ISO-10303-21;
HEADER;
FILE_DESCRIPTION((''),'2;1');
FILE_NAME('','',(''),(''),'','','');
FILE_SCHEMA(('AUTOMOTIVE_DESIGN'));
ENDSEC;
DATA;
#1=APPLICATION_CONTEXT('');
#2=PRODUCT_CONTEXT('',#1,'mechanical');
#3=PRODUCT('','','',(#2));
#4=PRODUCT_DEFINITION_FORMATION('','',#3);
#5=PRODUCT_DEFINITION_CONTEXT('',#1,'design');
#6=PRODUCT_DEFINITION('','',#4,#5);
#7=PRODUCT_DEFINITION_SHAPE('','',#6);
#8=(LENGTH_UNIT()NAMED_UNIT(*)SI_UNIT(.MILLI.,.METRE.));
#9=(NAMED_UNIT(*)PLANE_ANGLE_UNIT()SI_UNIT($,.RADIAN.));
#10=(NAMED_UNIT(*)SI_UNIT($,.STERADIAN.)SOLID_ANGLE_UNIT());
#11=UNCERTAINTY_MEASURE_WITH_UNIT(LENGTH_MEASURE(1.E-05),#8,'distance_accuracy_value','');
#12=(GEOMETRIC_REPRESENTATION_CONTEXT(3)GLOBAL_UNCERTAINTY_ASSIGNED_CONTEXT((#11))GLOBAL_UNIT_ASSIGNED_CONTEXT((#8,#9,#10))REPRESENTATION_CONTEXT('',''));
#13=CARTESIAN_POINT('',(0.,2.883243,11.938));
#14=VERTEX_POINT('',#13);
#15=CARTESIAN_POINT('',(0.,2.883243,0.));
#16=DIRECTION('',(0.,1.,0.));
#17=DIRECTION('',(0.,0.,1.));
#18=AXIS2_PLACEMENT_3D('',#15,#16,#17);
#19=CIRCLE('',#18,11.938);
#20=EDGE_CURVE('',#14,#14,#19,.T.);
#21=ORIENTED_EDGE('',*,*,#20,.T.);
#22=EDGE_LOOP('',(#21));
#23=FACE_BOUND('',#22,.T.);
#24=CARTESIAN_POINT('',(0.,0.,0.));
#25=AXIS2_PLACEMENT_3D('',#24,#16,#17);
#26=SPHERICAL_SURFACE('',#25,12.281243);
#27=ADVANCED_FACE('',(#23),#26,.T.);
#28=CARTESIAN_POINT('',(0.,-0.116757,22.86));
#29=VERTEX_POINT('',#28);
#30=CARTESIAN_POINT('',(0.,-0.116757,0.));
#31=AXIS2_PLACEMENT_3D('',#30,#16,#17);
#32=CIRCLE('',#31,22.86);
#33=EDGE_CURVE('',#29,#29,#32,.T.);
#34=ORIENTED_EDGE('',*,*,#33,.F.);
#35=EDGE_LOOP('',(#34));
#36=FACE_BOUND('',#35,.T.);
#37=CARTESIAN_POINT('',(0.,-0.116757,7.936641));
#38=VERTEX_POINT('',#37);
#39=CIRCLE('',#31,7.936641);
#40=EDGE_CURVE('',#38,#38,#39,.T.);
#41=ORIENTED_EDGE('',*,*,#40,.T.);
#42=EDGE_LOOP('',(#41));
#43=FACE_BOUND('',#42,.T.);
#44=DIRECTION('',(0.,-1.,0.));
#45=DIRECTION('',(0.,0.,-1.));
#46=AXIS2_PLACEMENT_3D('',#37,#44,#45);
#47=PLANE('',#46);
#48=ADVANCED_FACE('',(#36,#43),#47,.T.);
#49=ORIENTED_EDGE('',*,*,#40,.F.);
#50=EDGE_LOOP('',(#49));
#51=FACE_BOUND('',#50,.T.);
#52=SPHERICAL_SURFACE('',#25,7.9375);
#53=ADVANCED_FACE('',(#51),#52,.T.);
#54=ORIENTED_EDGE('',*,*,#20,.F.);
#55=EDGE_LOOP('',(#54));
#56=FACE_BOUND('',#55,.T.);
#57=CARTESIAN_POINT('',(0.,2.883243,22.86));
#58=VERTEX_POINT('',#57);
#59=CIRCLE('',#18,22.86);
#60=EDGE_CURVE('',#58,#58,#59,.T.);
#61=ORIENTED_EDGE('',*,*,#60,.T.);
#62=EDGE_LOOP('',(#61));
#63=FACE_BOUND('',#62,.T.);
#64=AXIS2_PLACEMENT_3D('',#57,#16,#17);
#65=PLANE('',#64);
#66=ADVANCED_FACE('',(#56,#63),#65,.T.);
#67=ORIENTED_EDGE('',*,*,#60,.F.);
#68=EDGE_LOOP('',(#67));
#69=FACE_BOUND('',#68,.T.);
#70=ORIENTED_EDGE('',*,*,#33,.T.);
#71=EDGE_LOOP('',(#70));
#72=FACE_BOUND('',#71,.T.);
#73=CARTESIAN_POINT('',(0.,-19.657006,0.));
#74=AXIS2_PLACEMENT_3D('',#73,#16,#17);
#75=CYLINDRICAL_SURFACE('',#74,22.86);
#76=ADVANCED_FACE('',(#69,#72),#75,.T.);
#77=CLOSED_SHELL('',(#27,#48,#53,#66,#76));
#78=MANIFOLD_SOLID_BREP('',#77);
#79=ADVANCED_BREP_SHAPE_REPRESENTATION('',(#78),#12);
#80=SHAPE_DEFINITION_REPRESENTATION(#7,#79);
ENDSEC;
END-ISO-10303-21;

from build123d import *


with BuildPart() as part:
    # Sketch1 → Revolve1 (revolve)
    with BuildSketch(Plane(origin=(0, 0, 0), x_dir=(0, 0, -1), z_dir=(1, 0, 0))):
        with BuildLine():
            Line((-7.936641236, -0.116756757), (-22.86, -0.116756757))
            Line((-22.86, -0.116756757), (-22.86, 2.883243243))
            Line((-22.86, 2.883243243), (-11.938, 2.883243243))
            ThreePointArc((-11.938, 2.883243243), (-7.596680986, 9.649838009), (0, 12.281243243))
            Line((0, 12.281243243), (0, 0))
            Line((0, 0), (0, -7.9375))
            ThreePointArc((0, -7.9375), (-5.5712274, -5.653789128), (-7.936641236, -0.116756757))
        make_face()
    revolve(axis=Axis((0, -19.657005973, 0), (0, -1, 0)))


solid = part.part
